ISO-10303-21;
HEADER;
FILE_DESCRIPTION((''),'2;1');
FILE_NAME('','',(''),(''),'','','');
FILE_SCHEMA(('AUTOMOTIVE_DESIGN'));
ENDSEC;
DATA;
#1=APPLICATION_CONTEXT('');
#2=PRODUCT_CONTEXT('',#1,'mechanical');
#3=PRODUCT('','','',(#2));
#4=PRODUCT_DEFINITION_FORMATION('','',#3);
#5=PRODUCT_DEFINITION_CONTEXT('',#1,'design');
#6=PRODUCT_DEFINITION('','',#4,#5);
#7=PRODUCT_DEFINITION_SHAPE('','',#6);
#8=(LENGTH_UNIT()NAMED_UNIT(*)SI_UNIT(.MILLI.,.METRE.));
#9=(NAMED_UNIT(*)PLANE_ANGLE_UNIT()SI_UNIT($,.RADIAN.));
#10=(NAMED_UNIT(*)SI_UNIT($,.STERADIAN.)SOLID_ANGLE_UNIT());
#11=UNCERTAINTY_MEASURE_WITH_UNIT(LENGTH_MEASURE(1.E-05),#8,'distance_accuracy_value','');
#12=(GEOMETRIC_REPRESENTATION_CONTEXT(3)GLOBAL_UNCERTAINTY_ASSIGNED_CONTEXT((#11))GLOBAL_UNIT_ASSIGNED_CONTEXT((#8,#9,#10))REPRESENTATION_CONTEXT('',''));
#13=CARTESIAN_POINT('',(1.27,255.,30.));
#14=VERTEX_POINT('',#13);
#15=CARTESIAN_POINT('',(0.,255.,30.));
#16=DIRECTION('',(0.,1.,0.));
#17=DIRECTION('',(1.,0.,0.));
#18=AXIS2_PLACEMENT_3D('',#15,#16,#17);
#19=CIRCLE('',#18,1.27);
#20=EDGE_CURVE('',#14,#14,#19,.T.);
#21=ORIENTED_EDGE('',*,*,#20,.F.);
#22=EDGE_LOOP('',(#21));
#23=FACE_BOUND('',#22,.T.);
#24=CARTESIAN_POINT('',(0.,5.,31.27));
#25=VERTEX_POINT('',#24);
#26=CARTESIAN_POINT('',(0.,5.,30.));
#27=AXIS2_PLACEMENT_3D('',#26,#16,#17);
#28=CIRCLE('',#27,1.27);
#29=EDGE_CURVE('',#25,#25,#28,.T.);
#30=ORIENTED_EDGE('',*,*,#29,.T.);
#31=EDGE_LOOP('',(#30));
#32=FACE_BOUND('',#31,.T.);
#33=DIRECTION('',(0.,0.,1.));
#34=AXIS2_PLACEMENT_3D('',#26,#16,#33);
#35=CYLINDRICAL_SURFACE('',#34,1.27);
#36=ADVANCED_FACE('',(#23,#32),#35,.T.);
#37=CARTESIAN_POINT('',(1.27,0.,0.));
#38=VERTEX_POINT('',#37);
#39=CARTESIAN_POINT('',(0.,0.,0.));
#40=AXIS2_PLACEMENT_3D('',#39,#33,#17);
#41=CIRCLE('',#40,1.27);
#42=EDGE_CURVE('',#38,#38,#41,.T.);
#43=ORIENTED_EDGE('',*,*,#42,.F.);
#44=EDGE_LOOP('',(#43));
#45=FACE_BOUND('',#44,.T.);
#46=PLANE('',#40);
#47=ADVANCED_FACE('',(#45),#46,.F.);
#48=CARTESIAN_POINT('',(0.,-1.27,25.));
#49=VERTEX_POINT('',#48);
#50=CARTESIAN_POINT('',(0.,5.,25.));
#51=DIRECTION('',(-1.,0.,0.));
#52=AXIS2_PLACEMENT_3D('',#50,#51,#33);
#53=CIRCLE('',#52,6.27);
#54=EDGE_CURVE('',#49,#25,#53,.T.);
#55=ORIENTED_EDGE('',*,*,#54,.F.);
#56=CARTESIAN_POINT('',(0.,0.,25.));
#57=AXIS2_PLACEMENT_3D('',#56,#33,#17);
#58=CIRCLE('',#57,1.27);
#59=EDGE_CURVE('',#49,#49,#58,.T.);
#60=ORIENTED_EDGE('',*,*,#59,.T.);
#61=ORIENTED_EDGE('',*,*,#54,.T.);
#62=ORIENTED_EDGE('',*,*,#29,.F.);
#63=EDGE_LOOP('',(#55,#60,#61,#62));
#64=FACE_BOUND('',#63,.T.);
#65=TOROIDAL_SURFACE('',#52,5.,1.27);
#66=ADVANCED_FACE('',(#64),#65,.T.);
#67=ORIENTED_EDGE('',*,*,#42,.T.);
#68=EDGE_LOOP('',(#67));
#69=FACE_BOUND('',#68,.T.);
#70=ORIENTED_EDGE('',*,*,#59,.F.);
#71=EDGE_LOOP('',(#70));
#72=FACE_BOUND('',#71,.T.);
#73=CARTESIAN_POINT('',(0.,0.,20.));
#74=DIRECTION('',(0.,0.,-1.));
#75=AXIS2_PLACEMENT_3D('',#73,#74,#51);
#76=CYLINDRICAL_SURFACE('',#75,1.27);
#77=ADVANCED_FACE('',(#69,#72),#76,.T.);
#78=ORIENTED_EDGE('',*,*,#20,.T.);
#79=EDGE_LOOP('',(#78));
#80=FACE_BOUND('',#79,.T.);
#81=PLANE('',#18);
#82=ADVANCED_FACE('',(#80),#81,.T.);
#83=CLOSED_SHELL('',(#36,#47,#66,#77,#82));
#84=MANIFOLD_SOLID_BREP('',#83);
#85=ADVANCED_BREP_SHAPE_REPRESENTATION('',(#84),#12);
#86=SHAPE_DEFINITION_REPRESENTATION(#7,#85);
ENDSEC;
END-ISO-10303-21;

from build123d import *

# Parameters (mm, degrees)
SKETCH_1_R      = 1.27
EXTRUDE_1_DEPTH = 20
SKETCH_2_R      = 1.27


with BuildPart() as part:
    # ｽｹｯﾁ1 → ﾎﾞｽ - 押し出し1 (new body)
    with BuildSketch(Plane.XY):
        Circle(SKETCH_1_R)
    extrude(amount=EXTRUDE_1_DEPTH)

    # ｽｲｰﾌﾟ1: sweep along a path in ｽｹｯﾁ3
    with BuildLine(Plane(origin=(0, 0, 0), x_dir=(0, 0, -1), z_dir=(1, 0, 0))) as sweep_1_path:
        Line((-20, 0), (-25, 0))
        ThreePointArc((-25, 0), (-28.535533906, 1.464466094), (-30, 5))
        Line((-30, 5), (-30, 255))
    # ｽｹｯﾁ2 → ｽｲｰﾌﾟ1 (sweep)
    with BuildSketch(Plane.XY.offset(20)):
        Circle(SKETCH_2_R)
    sweep(path=sweep_1_path.line)


solid = part.part
